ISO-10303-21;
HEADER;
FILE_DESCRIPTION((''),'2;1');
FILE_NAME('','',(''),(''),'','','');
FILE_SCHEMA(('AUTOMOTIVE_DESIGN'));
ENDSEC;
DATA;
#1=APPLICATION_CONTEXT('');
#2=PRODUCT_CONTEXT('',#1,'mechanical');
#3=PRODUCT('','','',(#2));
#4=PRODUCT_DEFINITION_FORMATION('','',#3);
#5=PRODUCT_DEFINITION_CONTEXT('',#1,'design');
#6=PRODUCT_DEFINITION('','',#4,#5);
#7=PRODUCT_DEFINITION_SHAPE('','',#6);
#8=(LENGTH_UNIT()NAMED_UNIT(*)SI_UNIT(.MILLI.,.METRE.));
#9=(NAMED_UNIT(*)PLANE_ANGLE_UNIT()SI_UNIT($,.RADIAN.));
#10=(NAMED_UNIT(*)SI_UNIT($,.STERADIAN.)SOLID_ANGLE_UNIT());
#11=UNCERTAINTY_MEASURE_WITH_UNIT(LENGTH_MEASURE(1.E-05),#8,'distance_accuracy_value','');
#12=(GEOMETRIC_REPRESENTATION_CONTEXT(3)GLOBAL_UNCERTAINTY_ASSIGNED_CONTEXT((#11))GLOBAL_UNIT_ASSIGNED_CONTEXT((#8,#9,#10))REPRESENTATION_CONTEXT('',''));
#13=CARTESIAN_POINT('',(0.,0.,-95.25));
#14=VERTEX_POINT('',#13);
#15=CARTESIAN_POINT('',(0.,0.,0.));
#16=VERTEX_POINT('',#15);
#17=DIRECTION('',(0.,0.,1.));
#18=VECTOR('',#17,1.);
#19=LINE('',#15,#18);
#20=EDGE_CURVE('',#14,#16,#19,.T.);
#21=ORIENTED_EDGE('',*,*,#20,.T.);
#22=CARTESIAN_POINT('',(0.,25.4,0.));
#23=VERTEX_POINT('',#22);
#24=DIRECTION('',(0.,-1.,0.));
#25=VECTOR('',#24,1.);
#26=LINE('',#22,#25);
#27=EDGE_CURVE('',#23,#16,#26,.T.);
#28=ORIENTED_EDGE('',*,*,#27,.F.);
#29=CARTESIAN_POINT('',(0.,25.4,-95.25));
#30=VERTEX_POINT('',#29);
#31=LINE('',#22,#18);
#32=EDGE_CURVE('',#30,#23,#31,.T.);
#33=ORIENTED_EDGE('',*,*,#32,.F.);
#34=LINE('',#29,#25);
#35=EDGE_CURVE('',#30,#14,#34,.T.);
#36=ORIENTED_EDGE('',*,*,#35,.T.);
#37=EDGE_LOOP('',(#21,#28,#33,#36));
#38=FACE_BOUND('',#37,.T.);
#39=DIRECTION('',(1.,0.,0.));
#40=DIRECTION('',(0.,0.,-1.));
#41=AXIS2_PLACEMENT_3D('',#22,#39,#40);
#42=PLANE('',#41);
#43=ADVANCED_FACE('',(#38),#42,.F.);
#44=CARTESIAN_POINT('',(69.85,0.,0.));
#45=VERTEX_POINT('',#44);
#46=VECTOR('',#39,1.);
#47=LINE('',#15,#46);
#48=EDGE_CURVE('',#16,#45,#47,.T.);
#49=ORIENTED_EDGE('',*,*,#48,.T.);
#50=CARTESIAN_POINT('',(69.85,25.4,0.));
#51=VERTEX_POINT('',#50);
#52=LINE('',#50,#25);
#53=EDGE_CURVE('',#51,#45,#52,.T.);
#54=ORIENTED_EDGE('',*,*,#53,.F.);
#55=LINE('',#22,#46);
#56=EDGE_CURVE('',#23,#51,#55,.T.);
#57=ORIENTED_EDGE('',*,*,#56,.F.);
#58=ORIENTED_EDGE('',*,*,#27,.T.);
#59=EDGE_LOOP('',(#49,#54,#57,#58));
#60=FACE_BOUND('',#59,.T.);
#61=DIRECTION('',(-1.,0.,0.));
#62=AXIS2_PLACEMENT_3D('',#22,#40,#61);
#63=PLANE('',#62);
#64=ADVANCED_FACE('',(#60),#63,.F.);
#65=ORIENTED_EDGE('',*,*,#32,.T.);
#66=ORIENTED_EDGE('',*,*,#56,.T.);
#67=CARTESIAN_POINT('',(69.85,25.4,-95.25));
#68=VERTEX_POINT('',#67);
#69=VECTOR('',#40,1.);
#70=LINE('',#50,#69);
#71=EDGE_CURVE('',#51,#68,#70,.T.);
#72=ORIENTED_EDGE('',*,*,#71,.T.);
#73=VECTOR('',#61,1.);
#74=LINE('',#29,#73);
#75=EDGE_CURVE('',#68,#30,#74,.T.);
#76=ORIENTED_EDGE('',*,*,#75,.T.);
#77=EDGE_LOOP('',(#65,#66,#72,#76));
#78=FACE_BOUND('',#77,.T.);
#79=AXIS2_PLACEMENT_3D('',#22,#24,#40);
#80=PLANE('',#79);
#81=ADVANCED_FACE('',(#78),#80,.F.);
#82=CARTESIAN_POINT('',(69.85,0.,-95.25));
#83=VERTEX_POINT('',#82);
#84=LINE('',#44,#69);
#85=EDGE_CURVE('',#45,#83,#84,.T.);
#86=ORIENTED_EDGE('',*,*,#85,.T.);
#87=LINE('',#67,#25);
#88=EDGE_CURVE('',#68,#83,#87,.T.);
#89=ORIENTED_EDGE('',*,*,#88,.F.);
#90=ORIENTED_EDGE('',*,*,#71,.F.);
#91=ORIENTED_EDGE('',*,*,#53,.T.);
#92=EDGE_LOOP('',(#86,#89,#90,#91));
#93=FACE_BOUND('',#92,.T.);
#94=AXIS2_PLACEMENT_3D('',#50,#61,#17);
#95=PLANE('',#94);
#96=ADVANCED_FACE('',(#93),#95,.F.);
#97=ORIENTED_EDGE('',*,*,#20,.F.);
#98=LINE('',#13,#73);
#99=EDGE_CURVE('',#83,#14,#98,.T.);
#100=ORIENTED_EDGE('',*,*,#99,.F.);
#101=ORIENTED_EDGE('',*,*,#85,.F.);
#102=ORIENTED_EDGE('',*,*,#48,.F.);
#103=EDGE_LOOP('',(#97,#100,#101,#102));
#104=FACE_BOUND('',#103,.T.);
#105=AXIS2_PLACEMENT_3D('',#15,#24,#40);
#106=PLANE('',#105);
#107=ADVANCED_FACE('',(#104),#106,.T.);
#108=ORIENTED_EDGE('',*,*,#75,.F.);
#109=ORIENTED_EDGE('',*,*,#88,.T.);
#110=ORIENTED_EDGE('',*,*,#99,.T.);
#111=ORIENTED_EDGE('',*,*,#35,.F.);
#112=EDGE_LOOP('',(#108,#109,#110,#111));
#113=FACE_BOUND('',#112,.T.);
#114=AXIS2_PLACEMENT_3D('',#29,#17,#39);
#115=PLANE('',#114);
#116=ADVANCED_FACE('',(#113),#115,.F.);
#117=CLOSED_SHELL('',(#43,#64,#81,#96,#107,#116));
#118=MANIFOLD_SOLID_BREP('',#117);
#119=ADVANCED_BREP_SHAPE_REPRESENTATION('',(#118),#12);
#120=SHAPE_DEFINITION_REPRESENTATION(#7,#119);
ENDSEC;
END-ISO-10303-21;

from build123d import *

# Parameters (mm, degrees)
SKETCH1_W           = 69.85
SKETCH1_H           = 95.25
BOSS_EXTRUDE1_DEPTH = 25.4


with BuildPart() as part:
    # Sketch1 → Boss-Extrude1 (new body)
    with BuildSketch(Plane(origin=(0, 0, 0), x_dir=(1, 0, 0), z_dir=(0, 1, 0))):
        with Locations((34.925, 47.625)):
            Rectangle(SKETCH1_W, SKETCH1_H)
    extrude(amount=BOSS_EXTRUDE1_DEPTH)


solid = part.part
